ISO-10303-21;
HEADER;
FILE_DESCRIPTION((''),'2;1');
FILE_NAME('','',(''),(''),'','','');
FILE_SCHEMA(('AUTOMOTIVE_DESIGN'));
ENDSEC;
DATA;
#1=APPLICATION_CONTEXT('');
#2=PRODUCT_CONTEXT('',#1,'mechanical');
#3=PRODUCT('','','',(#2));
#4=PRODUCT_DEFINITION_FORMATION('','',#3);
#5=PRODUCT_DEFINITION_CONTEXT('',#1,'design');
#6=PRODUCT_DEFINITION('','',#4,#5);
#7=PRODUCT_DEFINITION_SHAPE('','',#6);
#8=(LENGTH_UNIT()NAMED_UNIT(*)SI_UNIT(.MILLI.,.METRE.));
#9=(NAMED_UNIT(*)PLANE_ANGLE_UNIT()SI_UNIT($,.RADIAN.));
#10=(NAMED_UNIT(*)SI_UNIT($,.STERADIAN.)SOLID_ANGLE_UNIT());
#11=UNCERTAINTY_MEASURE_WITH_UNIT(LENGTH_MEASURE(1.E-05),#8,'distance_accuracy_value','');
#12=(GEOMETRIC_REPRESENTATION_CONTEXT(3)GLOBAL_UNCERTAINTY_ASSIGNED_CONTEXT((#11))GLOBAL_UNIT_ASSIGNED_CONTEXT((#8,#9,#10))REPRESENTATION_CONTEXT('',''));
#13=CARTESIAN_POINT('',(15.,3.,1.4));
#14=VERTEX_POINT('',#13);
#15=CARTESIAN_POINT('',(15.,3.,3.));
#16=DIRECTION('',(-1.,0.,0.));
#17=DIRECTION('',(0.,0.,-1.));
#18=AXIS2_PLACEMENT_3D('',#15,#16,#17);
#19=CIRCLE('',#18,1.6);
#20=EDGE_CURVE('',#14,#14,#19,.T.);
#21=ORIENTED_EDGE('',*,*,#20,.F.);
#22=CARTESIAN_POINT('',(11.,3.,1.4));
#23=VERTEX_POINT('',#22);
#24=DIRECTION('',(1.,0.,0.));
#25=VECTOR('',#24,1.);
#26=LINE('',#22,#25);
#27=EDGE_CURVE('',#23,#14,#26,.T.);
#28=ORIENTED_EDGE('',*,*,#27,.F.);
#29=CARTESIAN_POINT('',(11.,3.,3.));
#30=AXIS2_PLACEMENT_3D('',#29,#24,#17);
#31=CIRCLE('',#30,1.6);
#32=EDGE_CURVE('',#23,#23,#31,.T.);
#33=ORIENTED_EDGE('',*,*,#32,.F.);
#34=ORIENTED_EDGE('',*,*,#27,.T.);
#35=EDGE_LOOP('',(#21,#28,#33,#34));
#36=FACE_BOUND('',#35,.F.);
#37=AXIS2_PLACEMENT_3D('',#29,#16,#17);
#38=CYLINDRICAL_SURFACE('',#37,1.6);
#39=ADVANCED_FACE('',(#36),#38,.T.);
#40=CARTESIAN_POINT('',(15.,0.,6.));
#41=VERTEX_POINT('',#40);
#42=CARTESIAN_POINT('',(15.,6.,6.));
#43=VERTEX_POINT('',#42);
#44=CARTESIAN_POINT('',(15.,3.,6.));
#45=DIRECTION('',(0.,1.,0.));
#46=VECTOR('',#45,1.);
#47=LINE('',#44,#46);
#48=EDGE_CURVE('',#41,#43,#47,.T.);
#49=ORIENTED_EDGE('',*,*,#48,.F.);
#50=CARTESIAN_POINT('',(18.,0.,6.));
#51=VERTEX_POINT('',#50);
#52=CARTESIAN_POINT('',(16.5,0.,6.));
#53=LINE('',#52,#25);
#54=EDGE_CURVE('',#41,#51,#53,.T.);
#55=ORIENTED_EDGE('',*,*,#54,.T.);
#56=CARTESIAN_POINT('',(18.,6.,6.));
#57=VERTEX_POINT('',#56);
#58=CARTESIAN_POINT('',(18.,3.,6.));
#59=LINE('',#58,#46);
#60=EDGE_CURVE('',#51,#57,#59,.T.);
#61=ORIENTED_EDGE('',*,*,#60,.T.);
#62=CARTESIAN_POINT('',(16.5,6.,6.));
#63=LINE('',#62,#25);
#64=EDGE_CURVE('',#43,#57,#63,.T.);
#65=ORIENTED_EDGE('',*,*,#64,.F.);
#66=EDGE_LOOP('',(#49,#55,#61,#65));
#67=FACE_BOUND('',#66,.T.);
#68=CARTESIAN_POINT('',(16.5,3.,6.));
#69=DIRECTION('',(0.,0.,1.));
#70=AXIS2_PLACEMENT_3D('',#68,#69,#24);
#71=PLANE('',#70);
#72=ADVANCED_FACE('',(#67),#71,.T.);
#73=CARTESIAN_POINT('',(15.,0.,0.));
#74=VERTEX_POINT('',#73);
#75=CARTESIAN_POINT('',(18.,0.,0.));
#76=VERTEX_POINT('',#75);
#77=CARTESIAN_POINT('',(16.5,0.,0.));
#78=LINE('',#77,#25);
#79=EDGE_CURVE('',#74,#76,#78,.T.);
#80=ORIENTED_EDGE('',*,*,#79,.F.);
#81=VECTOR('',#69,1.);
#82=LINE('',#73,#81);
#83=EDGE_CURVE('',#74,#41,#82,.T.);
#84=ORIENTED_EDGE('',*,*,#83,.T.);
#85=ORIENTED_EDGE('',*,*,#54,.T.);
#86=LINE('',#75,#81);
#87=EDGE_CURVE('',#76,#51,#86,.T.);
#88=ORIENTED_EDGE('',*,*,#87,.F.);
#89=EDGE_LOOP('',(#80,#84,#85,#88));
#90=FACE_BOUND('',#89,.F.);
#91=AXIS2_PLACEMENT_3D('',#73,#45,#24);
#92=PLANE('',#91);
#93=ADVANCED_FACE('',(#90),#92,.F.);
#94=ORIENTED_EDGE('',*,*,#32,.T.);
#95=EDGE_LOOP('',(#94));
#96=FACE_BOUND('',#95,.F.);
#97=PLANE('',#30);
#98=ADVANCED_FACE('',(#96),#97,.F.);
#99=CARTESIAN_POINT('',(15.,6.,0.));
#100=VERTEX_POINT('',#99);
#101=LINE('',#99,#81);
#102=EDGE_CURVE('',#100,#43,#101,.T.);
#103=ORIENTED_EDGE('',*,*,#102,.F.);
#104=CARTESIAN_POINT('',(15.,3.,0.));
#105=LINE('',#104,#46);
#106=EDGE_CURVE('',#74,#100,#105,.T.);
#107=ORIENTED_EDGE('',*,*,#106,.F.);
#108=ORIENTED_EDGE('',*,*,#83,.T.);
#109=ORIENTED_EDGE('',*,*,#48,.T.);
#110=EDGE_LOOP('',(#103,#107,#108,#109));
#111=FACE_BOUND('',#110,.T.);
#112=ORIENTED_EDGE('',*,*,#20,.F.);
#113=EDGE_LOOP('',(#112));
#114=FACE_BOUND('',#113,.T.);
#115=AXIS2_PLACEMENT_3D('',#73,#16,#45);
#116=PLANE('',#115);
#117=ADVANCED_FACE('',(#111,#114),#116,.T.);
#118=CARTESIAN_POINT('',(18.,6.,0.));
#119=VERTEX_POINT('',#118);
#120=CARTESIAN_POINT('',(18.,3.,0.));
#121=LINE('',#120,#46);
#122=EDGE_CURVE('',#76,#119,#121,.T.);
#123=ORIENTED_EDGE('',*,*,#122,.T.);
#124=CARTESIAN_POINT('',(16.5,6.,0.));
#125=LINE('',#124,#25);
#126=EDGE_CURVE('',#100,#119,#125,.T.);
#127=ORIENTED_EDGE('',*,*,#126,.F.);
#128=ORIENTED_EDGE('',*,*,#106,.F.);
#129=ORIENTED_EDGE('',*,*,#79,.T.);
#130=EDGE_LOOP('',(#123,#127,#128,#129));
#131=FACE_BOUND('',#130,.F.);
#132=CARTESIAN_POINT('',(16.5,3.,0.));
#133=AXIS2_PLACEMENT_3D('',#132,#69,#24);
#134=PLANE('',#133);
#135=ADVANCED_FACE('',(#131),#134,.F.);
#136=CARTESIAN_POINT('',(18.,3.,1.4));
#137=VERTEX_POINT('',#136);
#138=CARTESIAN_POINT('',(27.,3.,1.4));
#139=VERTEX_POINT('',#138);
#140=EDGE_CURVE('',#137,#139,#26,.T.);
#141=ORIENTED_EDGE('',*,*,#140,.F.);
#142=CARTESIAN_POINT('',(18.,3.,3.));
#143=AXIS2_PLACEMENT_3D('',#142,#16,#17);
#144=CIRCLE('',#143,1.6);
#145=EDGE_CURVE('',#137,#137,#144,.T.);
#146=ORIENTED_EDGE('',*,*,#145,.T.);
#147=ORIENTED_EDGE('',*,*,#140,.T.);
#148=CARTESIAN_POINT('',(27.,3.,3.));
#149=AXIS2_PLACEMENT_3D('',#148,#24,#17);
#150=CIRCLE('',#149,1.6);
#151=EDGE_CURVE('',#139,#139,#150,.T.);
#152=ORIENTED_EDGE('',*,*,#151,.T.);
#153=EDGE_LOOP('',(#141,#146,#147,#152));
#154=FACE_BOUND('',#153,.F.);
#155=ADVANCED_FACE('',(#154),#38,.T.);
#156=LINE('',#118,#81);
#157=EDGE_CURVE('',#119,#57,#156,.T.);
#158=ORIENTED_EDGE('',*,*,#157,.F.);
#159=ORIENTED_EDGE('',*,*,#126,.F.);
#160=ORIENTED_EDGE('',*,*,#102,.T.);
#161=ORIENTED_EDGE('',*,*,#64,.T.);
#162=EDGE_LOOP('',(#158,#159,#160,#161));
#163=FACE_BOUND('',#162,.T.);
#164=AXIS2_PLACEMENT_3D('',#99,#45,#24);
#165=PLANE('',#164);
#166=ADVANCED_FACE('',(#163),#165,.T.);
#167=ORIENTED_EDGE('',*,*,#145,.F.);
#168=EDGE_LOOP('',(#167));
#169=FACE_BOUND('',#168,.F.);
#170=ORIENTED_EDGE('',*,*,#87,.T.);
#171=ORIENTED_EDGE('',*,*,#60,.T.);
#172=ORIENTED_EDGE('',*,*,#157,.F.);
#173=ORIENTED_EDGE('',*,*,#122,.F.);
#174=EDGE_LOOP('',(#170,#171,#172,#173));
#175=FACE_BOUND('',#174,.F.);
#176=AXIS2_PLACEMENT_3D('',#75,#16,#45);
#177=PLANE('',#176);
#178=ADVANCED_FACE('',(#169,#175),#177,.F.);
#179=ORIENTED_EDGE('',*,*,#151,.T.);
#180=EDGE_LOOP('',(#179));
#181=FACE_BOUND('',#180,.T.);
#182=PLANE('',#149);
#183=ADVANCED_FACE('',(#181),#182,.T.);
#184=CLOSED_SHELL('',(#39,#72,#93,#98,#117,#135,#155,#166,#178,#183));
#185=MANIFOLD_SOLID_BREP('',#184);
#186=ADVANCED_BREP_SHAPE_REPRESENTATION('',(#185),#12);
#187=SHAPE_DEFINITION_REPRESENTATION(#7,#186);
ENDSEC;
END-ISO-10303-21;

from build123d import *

# Parameters (mm, degrees)
BOX001_W          = 3
BOX001_H          = 6
BOX001_DEPTH      = 6
CYLINDER001_R     = 1.6
CYLINDER001_DEPTH = 16


with BuildPart() as cube001:
    # Box001 → Box001 (new body)
    with BuildSketch(Plane(origin=(15, 0, 0), x_dir=(1, 0, 0), z_dir=(0, 0, 1))):
        with Locations((1.5, 3)):
            Rectangle(BOX001_W, BOX001_H)
    extrude(amount=BOX001_DEPTH)


with BuildPart() as fusion:
    # Cylinder001 → Cylinder001 (new body)
    with BuildSketch(Plane(origin=(11, 3, 3), x_dir=(0, 0, -1), z_dir=(1, 0, 0))):
        Circle(CYLINDER001_R)
    extrude(amount=CYLINDER001_DEPTH)

    # Fusion: union Cube001
    add(cube001.part)


solid = fusion.part
